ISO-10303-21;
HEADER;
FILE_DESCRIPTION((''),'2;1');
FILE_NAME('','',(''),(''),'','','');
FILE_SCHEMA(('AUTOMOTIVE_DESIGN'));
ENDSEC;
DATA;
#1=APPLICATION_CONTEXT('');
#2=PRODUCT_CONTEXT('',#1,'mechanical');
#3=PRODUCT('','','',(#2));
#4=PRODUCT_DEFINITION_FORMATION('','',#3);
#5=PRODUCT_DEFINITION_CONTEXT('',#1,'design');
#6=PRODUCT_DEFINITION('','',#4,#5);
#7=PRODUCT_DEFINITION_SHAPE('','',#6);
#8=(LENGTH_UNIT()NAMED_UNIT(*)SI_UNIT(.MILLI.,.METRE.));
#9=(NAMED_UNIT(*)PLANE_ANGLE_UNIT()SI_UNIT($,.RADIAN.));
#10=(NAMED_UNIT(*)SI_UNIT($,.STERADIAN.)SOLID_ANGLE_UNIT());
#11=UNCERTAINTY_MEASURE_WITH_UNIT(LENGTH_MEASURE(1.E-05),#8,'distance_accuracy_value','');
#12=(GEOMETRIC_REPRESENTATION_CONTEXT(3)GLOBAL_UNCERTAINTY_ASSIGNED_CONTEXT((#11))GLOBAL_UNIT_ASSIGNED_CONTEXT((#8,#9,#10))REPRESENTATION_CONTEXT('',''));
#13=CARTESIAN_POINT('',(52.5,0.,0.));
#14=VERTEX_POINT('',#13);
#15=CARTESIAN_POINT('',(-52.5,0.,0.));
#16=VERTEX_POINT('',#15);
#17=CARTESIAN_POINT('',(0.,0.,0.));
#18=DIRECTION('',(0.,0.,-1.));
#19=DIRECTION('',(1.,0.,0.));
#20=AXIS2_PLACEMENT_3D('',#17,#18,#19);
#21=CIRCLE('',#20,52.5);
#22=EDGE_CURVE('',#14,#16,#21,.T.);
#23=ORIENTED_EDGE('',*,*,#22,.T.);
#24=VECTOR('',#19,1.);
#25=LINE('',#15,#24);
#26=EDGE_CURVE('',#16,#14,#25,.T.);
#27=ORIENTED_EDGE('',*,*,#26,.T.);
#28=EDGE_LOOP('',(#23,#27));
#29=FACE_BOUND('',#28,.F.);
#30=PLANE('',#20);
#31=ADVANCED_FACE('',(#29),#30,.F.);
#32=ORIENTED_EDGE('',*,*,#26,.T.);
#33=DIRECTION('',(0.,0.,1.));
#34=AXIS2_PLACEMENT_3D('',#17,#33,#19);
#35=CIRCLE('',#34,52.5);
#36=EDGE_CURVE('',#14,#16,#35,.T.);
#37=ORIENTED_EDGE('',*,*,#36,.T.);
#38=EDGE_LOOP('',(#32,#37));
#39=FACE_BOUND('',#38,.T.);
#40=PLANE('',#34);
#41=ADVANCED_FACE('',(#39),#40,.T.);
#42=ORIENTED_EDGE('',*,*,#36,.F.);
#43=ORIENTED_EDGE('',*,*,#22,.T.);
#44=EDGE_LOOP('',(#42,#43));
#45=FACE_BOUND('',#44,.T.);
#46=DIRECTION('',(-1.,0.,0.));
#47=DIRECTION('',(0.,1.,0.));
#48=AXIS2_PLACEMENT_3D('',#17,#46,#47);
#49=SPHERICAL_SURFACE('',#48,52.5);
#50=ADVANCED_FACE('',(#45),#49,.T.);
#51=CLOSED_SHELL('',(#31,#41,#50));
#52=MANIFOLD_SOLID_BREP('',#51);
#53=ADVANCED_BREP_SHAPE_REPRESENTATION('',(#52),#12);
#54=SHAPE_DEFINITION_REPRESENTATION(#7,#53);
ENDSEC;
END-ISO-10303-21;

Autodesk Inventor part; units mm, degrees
ref_plane "YZ Plane" through (0, 0, 0) normal (1, 0, 0) x (0, 1, 0)
ref_plane "XZ Plane" through (0, 0, 0) normal (0, 1, 0) x (-1, 0, 0)
ref_plane "XY Plane" through (0, 0, 0) normal (0, 0, 1) x (1, 0, 0)
sketch "Skizze1" plane through (0, 0, 0) normal (0, 0, 1) x (1, 0, 0)
  line L0 (-52.5, 0) -> (52.5, 0)
  arc A0 (52.5, 0) -> (-52.5, 0) centre (0, 0) ccw
  dimension "d2" = 105
revolve "Umdrehung1" add sketch "Skizze1" angle 180 about axis through (-52.5, 0, 0) along (-1, 0, 0)
properties part number "Hemisphere"
